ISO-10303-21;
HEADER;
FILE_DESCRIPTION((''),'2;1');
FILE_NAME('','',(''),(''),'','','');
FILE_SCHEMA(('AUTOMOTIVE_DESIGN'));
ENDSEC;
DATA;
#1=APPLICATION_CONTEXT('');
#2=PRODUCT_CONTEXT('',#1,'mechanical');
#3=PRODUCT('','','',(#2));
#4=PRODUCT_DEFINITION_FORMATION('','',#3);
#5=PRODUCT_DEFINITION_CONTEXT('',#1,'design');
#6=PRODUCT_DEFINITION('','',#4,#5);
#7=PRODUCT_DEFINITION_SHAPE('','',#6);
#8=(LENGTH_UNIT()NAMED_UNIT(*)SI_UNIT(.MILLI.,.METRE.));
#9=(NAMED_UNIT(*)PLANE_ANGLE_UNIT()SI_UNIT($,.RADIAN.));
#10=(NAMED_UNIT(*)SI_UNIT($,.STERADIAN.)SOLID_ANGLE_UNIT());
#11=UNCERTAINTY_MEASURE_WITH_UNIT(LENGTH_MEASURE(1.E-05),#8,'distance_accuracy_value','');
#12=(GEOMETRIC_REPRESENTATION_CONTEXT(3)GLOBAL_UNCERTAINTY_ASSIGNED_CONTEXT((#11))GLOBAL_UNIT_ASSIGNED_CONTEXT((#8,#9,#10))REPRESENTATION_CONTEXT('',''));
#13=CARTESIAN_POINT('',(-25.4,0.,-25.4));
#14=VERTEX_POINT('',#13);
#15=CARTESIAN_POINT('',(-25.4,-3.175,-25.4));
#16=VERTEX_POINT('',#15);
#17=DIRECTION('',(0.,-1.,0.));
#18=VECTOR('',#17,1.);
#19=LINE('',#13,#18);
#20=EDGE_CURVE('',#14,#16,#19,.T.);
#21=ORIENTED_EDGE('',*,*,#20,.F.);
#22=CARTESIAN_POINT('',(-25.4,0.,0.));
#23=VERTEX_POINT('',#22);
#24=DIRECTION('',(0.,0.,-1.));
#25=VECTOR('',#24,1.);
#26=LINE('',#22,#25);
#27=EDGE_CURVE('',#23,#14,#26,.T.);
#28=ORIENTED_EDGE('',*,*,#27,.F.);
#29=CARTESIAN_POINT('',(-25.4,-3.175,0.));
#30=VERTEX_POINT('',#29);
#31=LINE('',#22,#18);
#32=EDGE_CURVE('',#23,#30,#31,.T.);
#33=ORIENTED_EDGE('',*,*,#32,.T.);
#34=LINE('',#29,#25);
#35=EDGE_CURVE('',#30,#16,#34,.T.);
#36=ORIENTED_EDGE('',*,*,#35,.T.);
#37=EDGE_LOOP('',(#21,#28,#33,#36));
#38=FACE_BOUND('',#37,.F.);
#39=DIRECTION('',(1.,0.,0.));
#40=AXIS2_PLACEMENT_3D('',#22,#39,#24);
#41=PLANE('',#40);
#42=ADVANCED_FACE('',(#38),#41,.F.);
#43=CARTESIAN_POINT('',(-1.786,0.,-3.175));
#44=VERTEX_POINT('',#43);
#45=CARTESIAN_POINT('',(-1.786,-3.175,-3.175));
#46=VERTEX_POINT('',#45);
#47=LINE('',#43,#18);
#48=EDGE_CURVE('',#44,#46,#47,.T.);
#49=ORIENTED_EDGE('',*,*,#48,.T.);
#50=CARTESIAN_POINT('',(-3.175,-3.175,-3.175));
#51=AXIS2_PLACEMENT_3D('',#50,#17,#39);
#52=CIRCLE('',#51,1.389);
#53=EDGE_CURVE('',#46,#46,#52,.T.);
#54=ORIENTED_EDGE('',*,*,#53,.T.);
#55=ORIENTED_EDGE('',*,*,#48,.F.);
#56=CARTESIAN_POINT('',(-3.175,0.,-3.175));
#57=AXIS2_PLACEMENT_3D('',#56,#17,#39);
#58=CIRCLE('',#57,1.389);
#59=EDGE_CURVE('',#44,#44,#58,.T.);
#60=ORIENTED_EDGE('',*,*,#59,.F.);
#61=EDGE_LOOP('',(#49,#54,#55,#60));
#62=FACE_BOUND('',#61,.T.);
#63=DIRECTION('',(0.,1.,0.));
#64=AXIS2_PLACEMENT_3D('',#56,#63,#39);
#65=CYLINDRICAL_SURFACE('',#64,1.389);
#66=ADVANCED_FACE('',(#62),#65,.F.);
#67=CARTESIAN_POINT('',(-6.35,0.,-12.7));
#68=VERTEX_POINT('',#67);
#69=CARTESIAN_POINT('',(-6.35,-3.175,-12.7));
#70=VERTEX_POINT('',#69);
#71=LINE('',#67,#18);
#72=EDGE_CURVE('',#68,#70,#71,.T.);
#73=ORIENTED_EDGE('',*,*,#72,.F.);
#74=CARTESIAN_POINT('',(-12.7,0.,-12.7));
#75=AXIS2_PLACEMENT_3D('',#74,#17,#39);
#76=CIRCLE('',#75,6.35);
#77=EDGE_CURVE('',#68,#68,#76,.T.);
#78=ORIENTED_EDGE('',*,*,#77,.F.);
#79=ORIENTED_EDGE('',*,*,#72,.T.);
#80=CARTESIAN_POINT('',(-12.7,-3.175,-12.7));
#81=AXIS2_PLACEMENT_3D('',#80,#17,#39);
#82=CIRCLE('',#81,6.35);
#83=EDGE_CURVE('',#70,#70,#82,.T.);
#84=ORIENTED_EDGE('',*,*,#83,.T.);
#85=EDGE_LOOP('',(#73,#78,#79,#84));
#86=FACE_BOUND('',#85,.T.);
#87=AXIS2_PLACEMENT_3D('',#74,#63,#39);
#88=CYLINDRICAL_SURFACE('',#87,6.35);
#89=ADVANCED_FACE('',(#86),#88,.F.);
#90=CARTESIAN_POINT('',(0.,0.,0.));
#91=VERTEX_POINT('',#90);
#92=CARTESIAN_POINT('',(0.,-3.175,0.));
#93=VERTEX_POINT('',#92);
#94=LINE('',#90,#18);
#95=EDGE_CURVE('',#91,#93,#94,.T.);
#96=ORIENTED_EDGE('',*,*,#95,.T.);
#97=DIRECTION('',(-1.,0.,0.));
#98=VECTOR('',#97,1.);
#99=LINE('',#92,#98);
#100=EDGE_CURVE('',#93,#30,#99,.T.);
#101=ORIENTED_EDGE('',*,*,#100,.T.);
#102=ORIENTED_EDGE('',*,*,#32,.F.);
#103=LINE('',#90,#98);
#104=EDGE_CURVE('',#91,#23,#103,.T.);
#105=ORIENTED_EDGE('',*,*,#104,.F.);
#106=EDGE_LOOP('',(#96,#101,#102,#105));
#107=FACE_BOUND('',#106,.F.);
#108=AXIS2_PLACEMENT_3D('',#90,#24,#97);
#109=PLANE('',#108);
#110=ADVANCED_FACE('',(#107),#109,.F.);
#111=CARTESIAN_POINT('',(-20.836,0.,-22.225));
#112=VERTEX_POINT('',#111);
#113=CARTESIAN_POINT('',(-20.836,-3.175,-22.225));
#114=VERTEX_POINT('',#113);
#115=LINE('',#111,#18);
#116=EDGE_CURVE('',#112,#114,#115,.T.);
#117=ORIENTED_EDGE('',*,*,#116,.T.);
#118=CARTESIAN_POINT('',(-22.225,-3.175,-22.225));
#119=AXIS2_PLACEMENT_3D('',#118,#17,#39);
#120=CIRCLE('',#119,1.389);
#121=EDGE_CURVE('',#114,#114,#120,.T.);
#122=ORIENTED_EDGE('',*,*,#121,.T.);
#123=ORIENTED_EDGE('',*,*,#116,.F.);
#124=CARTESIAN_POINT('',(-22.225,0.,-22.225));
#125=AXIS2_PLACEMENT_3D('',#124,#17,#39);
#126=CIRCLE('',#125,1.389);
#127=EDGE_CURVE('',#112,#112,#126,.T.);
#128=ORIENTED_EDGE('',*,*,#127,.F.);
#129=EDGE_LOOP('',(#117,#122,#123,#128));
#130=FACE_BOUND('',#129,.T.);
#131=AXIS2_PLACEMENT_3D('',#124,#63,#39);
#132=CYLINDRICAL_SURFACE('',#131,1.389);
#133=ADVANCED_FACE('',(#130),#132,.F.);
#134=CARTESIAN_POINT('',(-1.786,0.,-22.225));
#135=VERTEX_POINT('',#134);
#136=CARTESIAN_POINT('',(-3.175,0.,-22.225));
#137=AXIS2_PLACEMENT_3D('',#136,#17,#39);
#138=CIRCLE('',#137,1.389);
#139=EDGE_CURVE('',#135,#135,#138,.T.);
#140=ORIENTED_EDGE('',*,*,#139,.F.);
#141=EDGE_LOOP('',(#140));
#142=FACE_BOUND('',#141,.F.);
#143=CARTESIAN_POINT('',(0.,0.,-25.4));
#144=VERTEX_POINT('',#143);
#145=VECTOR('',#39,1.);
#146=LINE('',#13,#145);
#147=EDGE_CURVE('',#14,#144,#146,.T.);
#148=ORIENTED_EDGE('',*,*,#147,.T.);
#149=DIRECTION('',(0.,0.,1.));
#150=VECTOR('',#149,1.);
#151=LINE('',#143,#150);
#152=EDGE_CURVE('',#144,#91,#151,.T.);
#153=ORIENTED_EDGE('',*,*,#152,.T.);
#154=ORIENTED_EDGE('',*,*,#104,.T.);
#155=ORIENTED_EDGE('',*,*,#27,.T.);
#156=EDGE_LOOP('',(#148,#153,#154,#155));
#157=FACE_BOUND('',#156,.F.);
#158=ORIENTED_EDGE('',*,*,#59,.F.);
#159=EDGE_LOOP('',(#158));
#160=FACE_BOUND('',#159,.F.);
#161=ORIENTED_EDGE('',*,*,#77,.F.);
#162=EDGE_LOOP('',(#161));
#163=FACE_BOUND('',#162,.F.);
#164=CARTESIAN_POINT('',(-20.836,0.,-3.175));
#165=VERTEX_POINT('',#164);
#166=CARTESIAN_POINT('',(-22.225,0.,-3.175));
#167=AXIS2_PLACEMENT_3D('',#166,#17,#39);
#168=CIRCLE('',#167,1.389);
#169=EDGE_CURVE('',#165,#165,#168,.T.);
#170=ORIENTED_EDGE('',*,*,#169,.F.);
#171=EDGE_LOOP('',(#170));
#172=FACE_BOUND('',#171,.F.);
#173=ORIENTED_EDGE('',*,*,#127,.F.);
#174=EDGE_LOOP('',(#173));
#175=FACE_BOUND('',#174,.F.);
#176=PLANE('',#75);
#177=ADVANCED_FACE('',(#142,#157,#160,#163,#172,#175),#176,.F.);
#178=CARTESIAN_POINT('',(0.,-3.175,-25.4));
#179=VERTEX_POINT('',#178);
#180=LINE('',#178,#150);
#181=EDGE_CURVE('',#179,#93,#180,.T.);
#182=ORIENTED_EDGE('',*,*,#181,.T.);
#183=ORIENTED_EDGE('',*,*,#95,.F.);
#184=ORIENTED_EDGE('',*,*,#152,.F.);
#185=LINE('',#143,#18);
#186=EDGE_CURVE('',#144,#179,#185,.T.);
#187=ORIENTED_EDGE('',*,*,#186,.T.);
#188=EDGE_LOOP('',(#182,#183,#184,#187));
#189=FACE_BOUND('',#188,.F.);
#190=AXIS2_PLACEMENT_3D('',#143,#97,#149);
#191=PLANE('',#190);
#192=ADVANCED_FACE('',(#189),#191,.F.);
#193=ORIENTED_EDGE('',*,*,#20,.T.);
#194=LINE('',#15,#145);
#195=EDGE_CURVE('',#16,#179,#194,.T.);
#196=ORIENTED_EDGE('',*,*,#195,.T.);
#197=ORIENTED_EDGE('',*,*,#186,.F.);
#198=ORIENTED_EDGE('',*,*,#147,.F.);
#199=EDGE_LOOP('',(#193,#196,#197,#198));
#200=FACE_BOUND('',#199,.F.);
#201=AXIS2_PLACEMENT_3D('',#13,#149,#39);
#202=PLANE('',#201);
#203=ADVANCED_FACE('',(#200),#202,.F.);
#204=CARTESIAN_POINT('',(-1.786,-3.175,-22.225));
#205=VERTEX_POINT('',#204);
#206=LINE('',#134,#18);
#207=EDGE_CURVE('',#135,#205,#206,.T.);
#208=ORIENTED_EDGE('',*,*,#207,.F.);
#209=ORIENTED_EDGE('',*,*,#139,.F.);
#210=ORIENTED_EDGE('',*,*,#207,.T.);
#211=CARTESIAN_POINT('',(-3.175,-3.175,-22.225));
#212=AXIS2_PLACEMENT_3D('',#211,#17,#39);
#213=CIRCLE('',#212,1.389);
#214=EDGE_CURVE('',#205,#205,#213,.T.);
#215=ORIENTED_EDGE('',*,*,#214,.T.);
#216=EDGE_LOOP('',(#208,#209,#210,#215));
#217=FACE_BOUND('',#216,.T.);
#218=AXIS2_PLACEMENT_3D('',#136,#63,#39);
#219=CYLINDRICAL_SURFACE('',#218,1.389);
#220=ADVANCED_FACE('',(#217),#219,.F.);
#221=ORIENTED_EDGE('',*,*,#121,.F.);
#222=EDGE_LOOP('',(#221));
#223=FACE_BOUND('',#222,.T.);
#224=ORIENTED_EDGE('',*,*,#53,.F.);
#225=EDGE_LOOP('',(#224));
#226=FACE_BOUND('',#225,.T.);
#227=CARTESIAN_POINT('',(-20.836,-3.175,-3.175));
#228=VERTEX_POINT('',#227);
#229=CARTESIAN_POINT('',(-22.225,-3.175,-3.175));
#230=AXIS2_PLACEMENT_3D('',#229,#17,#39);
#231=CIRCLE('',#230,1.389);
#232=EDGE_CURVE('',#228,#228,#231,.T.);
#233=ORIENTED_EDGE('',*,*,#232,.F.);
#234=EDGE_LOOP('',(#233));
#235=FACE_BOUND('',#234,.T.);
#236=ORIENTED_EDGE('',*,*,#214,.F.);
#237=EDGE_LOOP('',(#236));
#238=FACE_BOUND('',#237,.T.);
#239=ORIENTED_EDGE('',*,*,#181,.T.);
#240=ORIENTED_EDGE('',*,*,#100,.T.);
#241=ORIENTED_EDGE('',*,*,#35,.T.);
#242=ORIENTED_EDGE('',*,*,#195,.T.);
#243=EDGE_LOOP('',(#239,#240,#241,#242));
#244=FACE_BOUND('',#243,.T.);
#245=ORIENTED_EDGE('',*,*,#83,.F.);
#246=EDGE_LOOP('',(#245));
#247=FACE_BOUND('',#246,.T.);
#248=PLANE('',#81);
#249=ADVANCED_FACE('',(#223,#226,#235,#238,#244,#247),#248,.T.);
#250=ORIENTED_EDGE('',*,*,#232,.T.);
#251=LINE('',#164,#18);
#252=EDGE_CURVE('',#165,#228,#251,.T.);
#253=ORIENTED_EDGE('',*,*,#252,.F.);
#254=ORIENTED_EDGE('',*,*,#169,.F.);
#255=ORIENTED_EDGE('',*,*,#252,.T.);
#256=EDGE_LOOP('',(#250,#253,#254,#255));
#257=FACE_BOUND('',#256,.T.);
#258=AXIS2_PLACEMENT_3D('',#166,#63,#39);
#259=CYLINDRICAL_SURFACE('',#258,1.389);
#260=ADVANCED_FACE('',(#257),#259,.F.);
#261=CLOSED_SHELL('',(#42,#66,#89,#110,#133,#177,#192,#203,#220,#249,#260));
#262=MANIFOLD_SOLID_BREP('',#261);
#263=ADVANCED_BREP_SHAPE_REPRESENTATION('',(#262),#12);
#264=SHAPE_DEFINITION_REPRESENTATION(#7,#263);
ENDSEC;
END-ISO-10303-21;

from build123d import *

# Parameters (mm, degrees)
F0_R     = 1.389
F0_R_2   = 6.35
F1_DEPTH = 3.175


with BuildPart() as f1:
    # F0 (on Front) → F1 (new body)
    with BuildSketch(Plane.XZ):
        Polygon((0, -3.175), (0, 0), (-3.175, 0), (-22.225, 0), (-25.4, 0), (-25.4, -3.175), (-25.4, -22.225), (-25.4, -25.4), (-22.225, -25.4), (-3.175, -25.4), (0, -25.4), (0, -22.225), align=None)
        with Locations((-22.225, -22.225)):
            Circle(F0_R, mode=Mode.SUBTRACT)
        with Locations((-12.7, -12.7)):
            Circle(F0_R_2, mode=Mode.SUBTRACT)
        with Locations((-3.175, -22.225)):
            Circle(F0_R, mode=Mode.SUBTRACT)
        with Locations((-22.225, -3.175)):
            Circle(F0_R, mode=Mode.SUBTRACT)
        with Locations((-3.175, -3.175)):
            Circle(F0_R, mode=Mode.SUBTRACT)
    extrude(amount=F1_DEPTH)


solid = f1.part
